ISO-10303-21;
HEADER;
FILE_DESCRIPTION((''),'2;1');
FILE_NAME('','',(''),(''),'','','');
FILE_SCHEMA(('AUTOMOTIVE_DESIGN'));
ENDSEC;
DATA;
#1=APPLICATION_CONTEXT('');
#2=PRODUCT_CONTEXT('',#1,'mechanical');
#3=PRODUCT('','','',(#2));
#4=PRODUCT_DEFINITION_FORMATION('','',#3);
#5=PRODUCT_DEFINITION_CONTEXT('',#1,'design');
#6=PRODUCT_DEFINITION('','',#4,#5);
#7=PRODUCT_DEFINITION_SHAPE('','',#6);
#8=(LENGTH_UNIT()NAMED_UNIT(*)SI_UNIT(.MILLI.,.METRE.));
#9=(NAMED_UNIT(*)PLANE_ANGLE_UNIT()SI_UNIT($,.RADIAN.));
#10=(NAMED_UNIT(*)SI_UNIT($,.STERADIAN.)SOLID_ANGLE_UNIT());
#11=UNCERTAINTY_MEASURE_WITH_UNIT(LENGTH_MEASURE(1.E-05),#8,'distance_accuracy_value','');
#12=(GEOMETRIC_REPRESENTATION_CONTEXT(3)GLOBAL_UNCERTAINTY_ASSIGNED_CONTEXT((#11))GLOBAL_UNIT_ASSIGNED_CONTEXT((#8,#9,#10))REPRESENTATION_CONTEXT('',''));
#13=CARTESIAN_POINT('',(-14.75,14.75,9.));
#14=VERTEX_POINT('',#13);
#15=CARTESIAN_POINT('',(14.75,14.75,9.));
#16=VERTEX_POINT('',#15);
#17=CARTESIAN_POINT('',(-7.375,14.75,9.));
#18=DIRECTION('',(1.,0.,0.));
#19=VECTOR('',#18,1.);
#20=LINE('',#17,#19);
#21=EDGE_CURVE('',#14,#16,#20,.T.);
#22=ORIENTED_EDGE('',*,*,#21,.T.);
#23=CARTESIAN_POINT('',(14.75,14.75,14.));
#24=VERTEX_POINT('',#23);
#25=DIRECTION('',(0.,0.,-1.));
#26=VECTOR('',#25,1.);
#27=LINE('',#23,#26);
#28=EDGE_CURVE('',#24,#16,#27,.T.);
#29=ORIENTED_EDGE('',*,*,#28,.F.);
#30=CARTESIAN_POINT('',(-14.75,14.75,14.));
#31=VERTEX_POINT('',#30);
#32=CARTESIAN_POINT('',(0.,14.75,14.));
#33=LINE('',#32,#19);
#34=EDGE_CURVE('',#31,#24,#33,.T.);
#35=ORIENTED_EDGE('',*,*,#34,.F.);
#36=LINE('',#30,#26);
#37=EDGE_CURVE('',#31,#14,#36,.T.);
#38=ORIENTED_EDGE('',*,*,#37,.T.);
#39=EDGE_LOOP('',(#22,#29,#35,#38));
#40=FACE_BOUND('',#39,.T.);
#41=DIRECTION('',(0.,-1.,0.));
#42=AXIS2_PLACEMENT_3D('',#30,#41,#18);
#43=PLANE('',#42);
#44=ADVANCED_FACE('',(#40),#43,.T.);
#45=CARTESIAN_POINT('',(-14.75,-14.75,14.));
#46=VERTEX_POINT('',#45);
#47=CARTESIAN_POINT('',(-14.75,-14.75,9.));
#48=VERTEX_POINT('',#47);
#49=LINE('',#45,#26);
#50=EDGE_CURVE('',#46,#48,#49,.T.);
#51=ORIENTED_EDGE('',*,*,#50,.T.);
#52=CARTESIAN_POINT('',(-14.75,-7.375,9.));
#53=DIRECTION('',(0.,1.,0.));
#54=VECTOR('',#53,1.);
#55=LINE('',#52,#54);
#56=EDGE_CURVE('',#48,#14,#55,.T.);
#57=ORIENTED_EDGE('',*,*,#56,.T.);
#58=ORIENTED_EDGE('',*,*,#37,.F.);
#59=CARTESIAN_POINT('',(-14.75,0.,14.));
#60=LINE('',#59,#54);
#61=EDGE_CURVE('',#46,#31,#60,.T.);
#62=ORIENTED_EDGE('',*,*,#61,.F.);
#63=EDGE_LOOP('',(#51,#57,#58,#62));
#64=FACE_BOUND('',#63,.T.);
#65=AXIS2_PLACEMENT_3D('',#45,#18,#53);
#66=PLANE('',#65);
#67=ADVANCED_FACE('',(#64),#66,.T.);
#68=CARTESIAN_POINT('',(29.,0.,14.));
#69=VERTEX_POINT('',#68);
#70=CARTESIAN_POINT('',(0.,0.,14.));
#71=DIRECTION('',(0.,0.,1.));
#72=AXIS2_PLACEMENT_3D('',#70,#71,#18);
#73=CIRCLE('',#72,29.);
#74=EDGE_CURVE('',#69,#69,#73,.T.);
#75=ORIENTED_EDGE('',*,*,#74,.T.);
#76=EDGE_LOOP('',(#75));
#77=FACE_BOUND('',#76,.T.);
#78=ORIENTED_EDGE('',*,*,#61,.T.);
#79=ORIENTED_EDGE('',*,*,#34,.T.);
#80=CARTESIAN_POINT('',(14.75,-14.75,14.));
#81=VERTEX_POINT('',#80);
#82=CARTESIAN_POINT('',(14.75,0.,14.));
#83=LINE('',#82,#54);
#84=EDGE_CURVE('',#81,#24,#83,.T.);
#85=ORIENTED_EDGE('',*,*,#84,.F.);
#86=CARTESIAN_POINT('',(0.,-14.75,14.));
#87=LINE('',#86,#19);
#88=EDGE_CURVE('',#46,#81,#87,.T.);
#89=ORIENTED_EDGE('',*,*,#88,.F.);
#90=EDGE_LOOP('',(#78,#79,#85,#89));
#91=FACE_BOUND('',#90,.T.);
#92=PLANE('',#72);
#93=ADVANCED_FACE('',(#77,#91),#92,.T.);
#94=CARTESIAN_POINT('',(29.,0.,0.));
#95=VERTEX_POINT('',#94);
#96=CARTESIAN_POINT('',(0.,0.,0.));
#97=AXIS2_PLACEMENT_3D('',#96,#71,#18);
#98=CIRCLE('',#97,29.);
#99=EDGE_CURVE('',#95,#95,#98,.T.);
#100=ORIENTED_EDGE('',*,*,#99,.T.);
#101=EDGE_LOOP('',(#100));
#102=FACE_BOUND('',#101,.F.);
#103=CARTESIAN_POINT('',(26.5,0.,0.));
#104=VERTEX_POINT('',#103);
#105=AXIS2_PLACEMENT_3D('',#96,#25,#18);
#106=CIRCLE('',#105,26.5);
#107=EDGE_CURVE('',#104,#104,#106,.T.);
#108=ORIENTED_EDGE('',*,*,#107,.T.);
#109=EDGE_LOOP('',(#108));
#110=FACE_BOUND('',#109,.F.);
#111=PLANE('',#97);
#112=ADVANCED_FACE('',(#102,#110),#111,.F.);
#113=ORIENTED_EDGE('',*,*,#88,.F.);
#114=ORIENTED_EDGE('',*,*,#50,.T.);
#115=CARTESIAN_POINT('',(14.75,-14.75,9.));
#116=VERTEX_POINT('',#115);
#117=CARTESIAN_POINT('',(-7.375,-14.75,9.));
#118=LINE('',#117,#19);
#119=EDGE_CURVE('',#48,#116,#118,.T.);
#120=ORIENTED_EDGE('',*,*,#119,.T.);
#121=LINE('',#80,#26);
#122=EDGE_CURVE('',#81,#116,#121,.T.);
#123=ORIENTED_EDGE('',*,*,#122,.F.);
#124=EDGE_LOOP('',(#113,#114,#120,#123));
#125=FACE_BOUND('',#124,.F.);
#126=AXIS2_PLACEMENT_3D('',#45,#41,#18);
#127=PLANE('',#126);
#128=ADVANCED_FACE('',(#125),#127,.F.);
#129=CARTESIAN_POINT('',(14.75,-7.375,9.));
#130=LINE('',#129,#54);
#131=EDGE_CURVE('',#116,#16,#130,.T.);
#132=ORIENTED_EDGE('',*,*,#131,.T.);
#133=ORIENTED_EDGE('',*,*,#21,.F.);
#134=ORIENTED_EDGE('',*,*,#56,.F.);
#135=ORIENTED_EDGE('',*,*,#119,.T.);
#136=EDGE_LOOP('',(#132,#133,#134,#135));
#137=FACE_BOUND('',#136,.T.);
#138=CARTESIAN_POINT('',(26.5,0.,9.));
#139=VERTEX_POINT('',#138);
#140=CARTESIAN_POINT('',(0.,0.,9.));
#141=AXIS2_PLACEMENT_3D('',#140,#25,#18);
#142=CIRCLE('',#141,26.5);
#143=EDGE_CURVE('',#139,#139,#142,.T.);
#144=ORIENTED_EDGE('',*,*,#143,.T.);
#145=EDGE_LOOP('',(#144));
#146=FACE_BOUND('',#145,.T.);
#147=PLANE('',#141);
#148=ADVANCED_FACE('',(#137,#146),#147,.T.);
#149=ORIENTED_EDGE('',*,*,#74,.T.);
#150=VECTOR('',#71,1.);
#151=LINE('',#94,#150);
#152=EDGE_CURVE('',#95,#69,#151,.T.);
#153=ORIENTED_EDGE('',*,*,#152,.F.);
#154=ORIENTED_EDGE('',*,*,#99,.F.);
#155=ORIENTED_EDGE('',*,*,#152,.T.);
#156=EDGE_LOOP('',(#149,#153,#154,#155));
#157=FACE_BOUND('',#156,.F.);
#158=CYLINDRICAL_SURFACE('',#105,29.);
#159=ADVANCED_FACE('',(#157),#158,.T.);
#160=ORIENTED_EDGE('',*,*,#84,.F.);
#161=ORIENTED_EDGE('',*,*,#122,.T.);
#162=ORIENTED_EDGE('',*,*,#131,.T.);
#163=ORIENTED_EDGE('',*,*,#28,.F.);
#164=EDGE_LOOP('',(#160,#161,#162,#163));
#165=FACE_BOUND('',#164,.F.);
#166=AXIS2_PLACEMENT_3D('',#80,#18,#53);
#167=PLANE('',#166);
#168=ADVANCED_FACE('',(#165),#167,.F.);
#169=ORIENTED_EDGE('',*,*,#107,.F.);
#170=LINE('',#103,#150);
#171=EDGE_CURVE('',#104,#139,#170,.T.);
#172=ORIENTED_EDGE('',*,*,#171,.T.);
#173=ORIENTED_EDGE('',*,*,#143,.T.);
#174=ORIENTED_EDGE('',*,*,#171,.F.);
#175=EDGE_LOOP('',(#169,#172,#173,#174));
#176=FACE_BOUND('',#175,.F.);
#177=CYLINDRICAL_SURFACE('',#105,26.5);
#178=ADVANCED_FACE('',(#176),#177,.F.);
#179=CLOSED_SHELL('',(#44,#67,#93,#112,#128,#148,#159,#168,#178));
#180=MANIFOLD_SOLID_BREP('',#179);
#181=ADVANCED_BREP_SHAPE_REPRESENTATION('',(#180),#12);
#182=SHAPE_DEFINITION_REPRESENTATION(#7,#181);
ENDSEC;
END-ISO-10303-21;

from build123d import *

# Parameters (mm, degrees)
F0_R     = 29
F1_DEPTH = 14
F2_W     = 29.5
F2_H     = 29.5
F3_DEPTH = 25
F4_R     = 26.5
F5_DEPTH = 9


with BuildPart() as f1:
    # F0 (on Top) → F1 (new body)
    with BuildSketch(Plane.XY):
        Circle(F0_R)
    extrude(amount=F1_DEPTH)

    # F2 (on face) → F3 (cut)
    with BuildSketch(Plane.XY.offset(14)):
        Rectangle(F2_W, F2_H)
    extrude(amount=-F3_DEPTH, mode=Mode.SUBTRACT)

    # F4 (on face) → F5 (cut)
    with BuildSketch(Plane(origin=(0, 0, 0), x_dir=(1, 0, 0), z_dir=(0, 0, -1))):
        Circle(F4_R)
    extrude(amount=-F5_DEPTH, mode=Mode.SUBTRACT)


solid = f1.part
